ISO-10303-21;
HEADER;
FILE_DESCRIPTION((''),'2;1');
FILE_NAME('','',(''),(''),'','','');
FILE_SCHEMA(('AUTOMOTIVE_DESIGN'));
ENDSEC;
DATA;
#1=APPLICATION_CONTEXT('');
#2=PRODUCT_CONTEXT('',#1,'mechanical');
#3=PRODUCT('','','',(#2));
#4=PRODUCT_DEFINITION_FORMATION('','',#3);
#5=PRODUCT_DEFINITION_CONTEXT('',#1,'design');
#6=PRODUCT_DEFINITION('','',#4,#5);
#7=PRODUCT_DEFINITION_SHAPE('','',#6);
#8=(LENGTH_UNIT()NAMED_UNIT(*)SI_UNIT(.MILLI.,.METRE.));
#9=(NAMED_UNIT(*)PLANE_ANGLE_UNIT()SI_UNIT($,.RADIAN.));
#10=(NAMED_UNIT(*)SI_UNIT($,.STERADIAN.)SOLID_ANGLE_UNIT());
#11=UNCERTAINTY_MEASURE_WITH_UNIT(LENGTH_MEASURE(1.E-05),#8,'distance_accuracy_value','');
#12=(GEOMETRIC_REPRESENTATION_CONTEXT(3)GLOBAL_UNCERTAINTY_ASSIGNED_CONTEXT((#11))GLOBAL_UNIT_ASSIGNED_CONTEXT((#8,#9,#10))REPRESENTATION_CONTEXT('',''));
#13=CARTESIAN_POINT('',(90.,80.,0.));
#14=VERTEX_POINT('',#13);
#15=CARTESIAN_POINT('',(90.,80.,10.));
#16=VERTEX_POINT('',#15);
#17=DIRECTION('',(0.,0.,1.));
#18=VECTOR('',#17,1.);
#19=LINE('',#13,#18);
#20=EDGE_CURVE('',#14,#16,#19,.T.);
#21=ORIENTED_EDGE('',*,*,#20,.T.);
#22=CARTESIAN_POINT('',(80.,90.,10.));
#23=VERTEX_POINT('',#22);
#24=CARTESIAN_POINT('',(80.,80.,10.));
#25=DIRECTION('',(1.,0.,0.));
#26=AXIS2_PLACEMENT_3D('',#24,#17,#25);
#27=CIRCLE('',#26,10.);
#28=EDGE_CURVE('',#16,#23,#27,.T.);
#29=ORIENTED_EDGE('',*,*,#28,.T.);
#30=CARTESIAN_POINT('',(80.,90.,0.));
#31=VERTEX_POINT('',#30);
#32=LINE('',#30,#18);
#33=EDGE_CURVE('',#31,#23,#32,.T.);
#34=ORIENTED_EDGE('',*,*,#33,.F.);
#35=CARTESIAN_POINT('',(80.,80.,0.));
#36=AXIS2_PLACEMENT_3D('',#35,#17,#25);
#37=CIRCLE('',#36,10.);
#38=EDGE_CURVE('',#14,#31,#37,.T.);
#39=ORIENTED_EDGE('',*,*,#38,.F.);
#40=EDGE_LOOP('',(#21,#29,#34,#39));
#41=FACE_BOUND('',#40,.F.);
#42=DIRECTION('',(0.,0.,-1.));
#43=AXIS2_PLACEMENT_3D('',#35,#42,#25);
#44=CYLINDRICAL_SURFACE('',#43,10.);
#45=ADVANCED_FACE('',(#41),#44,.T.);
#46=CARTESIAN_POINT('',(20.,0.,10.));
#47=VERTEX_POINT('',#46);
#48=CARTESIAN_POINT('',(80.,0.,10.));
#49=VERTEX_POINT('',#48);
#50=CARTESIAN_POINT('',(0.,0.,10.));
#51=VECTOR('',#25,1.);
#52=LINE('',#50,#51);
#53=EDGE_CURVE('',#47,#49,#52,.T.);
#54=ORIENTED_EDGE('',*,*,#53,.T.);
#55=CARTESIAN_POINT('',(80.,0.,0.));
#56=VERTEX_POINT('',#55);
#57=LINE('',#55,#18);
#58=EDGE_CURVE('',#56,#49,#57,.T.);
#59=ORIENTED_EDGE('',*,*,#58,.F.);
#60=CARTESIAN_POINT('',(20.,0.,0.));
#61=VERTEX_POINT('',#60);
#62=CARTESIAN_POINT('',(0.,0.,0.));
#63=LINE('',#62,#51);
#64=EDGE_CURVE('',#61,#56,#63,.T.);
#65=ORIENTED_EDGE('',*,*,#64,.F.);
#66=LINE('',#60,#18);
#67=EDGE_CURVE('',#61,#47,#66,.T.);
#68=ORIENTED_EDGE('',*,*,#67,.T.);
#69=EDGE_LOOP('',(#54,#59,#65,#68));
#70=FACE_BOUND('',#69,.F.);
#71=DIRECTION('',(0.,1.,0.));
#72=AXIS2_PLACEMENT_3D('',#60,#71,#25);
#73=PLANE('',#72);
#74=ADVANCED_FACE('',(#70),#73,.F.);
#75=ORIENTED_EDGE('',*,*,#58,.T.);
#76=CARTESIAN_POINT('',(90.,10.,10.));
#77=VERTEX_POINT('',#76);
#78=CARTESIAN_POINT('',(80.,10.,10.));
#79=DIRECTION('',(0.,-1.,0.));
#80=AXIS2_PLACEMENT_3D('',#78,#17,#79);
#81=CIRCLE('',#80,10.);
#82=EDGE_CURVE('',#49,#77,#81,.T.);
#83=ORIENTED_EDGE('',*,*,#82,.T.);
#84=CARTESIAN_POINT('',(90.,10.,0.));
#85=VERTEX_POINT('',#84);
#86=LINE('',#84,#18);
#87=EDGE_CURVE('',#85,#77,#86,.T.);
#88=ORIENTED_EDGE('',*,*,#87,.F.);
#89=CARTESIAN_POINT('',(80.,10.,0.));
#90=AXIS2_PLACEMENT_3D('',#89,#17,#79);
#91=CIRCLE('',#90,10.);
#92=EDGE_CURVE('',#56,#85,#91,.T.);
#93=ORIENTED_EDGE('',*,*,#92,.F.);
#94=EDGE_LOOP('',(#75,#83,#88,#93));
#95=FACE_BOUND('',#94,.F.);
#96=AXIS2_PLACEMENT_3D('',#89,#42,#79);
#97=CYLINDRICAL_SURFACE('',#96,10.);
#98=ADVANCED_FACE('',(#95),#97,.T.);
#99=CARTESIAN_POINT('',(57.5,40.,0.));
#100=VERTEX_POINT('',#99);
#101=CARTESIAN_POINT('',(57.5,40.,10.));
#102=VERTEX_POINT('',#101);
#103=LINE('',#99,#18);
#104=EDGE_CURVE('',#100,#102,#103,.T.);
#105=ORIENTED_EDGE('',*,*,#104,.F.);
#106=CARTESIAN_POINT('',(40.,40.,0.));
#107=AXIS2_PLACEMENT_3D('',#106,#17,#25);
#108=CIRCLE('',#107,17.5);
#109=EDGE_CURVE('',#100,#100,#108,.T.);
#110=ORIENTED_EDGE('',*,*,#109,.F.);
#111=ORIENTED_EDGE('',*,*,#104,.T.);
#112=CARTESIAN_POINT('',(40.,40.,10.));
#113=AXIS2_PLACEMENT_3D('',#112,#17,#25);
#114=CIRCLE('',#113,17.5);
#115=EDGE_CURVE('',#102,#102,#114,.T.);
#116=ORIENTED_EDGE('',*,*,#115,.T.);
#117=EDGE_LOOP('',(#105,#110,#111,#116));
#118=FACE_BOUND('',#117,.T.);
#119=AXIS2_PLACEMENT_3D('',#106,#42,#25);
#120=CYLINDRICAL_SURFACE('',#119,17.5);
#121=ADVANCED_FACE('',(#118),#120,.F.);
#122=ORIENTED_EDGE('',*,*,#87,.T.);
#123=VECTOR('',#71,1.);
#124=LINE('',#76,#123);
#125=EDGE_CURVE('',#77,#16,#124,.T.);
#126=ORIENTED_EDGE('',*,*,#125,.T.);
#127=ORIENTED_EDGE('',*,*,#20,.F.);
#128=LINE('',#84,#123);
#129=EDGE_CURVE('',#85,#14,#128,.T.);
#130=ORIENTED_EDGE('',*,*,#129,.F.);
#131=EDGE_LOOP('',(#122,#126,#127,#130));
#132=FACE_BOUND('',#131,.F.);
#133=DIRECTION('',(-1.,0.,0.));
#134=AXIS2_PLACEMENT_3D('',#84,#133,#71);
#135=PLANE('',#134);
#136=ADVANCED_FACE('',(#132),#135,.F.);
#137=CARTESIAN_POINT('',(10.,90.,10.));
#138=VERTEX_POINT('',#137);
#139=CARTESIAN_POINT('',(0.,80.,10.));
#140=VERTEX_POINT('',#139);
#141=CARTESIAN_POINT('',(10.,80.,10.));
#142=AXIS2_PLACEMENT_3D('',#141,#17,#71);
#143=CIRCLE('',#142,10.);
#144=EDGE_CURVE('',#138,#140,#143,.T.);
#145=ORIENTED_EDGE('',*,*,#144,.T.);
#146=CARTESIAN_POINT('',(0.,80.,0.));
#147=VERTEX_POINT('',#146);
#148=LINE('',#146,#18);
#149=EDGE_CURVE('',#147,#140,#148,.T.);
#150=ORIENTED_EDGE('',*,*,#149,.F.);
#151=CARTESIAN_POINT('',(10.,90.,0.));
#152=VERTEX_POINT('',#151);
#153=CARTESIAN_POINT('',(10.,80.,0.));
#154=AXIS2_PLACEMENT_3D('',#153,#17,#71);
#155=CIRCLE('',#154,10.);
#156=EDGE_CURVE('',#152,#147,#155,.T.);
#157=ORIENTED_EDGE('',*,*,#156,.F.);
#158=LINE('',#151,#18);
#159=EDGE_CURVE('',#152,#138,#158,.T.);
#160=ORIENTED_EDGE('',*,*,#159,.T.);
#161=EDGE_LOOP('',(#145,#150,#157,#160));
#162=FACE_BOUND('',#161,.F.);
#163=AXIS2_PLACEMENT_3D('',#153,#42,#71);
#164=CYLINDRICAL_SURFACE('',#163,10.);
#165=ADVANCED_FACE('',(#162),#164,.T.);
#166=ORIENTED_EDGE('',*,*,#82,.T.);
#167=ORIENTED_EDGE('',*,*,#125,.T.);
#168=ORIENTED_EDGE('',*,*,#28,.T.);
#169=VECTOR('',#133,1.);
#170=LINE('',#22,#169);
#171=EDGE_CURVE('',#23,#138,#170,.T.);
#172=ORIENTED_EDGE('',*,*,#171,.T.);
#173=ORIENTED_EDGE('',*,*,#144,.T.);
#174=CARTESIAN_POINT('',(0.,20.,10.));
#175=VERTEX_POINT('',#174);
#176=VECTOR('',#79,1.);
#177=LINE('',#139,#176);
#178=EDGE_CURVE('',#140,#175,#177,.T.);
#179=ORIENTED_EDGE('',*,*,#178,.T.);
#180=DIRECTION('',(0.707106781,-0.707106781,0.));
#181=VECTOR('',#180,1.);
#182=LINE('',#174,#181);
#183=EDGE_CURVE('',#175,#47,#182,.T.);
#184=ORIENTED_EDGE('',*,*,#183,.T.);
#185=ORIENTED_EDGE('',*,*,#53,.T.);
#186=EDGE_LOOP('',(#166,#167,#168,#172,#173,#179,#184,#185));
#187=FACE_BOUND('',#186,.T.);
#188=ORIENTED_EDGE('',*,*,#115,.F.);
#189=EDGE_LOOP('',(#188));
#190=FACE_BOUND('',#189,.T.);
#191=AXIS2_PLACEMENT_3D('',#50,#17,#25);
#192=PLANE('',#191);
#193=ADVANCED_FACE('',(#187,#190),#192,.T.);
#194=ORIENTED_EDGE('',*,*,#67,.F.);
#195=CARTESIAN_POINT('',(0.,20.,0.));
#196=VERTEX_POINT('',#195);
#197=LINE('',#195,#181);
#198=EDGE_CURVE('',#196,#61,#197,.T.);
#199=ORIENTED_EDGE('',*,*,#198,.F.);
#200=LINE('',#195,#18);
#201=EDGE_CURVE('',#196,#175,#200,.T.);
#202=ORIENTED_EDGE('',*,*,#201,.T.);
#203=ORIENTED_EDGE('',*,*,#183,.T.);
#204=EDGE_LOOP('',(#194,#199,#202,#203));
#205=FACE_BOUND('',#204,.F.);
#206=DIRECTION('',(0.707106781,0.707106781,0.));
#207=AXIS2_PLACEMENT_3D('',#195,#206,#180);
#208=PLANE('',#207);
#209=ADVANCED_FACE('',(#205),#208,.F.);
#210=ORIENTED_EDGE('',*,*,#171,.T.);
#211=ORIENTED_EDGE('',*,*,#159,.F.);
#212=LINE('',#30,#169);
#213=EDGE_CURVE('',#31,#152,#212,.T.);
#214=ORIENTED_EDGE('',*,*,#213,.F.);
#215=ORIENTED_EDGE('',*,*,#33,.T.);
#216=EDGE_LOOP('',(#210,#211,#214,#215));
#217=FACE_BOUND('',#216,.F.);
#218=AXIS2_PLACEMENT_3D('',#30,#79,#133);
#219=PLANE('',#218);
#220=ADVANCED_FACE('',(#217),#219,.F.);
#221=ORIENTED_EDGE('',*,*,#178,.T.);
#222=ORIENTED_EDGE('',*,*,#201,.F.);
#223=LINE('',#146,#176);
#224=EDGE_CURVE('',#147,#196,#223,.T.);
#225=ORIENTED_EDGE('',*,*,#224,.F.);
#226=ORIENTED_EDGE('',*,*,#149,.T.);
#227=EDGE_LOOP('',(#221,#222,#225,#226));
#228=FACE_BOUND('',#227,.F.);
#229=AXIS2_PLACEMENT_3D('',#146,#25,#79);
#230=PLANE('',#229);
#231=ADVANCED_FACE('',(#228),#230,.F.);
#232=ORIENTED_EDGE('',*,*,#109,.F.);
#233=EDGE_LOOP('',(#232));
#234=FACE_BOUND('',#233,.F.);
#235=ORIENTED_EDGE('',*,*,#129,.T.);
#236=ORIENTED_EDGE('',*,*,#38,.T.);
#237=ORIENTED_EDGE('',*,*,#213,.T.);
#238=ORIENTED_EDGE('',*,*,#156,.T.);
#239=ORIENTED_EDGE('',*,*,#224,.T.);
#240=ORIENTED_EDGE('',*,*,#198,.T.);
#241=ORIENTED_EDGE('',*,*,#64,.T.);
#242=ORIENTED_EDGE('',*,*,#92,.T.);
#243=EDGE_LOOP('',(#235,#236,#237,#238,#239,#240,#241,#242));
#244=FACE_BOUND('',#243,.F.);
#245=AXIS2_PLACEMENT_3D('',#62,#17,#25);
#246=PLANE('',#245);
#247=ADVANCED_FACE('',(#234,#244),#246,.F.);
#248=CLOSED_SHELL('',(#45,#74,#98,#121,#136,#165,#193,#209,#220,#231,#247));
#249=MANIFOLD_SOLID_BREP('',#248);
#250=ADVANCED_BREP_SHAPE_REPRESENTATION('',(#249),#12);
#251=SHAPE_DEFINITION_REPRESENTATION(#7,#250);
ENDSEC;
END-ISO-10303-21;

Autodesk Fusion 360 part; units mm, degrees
sketch "Sketch1" plane through (0, 0, 0) normal (0, 0, 1) x (1, 0, 0)
  line L0 (0, 0) -> (80, 0)
  line L1 (90, 10) -> (90, 80)
  line L2 (80, 90) -> (10, 90)
  line L3 (0, 80) -> (0, 0)
  line L4 (0, 20) -> (20, 0)
  circle A0 centre (40, 40) radius 17.5
  arc A1 (10, 90) -> (0, 80) centre (10, 80) ccw
  arc A2 (90, 80) -> (80, 90) centre (80, 80) ccw
  arc A3 (80, 0) -> (90, 10) centre (80, 10) ccw
  point P0 (90, 0)
  point P1 (0, 90)
  dimension "d1" = 90
  dimension "d2" = 90
  dimension "d3" = 20
  dimension "d4" = 20
  dimension "d5" = 35
  dimension "d6" = 40
  dimension "d7" = 40
  dimension "d8" = 10
  dimension "d9" = 10
  dimension "d10" = 10
extrude "Extrude1" add sketch "Sketch1" along normal blind 10 contours L0 L1 L2 L3 L4 A1 A2 A3
